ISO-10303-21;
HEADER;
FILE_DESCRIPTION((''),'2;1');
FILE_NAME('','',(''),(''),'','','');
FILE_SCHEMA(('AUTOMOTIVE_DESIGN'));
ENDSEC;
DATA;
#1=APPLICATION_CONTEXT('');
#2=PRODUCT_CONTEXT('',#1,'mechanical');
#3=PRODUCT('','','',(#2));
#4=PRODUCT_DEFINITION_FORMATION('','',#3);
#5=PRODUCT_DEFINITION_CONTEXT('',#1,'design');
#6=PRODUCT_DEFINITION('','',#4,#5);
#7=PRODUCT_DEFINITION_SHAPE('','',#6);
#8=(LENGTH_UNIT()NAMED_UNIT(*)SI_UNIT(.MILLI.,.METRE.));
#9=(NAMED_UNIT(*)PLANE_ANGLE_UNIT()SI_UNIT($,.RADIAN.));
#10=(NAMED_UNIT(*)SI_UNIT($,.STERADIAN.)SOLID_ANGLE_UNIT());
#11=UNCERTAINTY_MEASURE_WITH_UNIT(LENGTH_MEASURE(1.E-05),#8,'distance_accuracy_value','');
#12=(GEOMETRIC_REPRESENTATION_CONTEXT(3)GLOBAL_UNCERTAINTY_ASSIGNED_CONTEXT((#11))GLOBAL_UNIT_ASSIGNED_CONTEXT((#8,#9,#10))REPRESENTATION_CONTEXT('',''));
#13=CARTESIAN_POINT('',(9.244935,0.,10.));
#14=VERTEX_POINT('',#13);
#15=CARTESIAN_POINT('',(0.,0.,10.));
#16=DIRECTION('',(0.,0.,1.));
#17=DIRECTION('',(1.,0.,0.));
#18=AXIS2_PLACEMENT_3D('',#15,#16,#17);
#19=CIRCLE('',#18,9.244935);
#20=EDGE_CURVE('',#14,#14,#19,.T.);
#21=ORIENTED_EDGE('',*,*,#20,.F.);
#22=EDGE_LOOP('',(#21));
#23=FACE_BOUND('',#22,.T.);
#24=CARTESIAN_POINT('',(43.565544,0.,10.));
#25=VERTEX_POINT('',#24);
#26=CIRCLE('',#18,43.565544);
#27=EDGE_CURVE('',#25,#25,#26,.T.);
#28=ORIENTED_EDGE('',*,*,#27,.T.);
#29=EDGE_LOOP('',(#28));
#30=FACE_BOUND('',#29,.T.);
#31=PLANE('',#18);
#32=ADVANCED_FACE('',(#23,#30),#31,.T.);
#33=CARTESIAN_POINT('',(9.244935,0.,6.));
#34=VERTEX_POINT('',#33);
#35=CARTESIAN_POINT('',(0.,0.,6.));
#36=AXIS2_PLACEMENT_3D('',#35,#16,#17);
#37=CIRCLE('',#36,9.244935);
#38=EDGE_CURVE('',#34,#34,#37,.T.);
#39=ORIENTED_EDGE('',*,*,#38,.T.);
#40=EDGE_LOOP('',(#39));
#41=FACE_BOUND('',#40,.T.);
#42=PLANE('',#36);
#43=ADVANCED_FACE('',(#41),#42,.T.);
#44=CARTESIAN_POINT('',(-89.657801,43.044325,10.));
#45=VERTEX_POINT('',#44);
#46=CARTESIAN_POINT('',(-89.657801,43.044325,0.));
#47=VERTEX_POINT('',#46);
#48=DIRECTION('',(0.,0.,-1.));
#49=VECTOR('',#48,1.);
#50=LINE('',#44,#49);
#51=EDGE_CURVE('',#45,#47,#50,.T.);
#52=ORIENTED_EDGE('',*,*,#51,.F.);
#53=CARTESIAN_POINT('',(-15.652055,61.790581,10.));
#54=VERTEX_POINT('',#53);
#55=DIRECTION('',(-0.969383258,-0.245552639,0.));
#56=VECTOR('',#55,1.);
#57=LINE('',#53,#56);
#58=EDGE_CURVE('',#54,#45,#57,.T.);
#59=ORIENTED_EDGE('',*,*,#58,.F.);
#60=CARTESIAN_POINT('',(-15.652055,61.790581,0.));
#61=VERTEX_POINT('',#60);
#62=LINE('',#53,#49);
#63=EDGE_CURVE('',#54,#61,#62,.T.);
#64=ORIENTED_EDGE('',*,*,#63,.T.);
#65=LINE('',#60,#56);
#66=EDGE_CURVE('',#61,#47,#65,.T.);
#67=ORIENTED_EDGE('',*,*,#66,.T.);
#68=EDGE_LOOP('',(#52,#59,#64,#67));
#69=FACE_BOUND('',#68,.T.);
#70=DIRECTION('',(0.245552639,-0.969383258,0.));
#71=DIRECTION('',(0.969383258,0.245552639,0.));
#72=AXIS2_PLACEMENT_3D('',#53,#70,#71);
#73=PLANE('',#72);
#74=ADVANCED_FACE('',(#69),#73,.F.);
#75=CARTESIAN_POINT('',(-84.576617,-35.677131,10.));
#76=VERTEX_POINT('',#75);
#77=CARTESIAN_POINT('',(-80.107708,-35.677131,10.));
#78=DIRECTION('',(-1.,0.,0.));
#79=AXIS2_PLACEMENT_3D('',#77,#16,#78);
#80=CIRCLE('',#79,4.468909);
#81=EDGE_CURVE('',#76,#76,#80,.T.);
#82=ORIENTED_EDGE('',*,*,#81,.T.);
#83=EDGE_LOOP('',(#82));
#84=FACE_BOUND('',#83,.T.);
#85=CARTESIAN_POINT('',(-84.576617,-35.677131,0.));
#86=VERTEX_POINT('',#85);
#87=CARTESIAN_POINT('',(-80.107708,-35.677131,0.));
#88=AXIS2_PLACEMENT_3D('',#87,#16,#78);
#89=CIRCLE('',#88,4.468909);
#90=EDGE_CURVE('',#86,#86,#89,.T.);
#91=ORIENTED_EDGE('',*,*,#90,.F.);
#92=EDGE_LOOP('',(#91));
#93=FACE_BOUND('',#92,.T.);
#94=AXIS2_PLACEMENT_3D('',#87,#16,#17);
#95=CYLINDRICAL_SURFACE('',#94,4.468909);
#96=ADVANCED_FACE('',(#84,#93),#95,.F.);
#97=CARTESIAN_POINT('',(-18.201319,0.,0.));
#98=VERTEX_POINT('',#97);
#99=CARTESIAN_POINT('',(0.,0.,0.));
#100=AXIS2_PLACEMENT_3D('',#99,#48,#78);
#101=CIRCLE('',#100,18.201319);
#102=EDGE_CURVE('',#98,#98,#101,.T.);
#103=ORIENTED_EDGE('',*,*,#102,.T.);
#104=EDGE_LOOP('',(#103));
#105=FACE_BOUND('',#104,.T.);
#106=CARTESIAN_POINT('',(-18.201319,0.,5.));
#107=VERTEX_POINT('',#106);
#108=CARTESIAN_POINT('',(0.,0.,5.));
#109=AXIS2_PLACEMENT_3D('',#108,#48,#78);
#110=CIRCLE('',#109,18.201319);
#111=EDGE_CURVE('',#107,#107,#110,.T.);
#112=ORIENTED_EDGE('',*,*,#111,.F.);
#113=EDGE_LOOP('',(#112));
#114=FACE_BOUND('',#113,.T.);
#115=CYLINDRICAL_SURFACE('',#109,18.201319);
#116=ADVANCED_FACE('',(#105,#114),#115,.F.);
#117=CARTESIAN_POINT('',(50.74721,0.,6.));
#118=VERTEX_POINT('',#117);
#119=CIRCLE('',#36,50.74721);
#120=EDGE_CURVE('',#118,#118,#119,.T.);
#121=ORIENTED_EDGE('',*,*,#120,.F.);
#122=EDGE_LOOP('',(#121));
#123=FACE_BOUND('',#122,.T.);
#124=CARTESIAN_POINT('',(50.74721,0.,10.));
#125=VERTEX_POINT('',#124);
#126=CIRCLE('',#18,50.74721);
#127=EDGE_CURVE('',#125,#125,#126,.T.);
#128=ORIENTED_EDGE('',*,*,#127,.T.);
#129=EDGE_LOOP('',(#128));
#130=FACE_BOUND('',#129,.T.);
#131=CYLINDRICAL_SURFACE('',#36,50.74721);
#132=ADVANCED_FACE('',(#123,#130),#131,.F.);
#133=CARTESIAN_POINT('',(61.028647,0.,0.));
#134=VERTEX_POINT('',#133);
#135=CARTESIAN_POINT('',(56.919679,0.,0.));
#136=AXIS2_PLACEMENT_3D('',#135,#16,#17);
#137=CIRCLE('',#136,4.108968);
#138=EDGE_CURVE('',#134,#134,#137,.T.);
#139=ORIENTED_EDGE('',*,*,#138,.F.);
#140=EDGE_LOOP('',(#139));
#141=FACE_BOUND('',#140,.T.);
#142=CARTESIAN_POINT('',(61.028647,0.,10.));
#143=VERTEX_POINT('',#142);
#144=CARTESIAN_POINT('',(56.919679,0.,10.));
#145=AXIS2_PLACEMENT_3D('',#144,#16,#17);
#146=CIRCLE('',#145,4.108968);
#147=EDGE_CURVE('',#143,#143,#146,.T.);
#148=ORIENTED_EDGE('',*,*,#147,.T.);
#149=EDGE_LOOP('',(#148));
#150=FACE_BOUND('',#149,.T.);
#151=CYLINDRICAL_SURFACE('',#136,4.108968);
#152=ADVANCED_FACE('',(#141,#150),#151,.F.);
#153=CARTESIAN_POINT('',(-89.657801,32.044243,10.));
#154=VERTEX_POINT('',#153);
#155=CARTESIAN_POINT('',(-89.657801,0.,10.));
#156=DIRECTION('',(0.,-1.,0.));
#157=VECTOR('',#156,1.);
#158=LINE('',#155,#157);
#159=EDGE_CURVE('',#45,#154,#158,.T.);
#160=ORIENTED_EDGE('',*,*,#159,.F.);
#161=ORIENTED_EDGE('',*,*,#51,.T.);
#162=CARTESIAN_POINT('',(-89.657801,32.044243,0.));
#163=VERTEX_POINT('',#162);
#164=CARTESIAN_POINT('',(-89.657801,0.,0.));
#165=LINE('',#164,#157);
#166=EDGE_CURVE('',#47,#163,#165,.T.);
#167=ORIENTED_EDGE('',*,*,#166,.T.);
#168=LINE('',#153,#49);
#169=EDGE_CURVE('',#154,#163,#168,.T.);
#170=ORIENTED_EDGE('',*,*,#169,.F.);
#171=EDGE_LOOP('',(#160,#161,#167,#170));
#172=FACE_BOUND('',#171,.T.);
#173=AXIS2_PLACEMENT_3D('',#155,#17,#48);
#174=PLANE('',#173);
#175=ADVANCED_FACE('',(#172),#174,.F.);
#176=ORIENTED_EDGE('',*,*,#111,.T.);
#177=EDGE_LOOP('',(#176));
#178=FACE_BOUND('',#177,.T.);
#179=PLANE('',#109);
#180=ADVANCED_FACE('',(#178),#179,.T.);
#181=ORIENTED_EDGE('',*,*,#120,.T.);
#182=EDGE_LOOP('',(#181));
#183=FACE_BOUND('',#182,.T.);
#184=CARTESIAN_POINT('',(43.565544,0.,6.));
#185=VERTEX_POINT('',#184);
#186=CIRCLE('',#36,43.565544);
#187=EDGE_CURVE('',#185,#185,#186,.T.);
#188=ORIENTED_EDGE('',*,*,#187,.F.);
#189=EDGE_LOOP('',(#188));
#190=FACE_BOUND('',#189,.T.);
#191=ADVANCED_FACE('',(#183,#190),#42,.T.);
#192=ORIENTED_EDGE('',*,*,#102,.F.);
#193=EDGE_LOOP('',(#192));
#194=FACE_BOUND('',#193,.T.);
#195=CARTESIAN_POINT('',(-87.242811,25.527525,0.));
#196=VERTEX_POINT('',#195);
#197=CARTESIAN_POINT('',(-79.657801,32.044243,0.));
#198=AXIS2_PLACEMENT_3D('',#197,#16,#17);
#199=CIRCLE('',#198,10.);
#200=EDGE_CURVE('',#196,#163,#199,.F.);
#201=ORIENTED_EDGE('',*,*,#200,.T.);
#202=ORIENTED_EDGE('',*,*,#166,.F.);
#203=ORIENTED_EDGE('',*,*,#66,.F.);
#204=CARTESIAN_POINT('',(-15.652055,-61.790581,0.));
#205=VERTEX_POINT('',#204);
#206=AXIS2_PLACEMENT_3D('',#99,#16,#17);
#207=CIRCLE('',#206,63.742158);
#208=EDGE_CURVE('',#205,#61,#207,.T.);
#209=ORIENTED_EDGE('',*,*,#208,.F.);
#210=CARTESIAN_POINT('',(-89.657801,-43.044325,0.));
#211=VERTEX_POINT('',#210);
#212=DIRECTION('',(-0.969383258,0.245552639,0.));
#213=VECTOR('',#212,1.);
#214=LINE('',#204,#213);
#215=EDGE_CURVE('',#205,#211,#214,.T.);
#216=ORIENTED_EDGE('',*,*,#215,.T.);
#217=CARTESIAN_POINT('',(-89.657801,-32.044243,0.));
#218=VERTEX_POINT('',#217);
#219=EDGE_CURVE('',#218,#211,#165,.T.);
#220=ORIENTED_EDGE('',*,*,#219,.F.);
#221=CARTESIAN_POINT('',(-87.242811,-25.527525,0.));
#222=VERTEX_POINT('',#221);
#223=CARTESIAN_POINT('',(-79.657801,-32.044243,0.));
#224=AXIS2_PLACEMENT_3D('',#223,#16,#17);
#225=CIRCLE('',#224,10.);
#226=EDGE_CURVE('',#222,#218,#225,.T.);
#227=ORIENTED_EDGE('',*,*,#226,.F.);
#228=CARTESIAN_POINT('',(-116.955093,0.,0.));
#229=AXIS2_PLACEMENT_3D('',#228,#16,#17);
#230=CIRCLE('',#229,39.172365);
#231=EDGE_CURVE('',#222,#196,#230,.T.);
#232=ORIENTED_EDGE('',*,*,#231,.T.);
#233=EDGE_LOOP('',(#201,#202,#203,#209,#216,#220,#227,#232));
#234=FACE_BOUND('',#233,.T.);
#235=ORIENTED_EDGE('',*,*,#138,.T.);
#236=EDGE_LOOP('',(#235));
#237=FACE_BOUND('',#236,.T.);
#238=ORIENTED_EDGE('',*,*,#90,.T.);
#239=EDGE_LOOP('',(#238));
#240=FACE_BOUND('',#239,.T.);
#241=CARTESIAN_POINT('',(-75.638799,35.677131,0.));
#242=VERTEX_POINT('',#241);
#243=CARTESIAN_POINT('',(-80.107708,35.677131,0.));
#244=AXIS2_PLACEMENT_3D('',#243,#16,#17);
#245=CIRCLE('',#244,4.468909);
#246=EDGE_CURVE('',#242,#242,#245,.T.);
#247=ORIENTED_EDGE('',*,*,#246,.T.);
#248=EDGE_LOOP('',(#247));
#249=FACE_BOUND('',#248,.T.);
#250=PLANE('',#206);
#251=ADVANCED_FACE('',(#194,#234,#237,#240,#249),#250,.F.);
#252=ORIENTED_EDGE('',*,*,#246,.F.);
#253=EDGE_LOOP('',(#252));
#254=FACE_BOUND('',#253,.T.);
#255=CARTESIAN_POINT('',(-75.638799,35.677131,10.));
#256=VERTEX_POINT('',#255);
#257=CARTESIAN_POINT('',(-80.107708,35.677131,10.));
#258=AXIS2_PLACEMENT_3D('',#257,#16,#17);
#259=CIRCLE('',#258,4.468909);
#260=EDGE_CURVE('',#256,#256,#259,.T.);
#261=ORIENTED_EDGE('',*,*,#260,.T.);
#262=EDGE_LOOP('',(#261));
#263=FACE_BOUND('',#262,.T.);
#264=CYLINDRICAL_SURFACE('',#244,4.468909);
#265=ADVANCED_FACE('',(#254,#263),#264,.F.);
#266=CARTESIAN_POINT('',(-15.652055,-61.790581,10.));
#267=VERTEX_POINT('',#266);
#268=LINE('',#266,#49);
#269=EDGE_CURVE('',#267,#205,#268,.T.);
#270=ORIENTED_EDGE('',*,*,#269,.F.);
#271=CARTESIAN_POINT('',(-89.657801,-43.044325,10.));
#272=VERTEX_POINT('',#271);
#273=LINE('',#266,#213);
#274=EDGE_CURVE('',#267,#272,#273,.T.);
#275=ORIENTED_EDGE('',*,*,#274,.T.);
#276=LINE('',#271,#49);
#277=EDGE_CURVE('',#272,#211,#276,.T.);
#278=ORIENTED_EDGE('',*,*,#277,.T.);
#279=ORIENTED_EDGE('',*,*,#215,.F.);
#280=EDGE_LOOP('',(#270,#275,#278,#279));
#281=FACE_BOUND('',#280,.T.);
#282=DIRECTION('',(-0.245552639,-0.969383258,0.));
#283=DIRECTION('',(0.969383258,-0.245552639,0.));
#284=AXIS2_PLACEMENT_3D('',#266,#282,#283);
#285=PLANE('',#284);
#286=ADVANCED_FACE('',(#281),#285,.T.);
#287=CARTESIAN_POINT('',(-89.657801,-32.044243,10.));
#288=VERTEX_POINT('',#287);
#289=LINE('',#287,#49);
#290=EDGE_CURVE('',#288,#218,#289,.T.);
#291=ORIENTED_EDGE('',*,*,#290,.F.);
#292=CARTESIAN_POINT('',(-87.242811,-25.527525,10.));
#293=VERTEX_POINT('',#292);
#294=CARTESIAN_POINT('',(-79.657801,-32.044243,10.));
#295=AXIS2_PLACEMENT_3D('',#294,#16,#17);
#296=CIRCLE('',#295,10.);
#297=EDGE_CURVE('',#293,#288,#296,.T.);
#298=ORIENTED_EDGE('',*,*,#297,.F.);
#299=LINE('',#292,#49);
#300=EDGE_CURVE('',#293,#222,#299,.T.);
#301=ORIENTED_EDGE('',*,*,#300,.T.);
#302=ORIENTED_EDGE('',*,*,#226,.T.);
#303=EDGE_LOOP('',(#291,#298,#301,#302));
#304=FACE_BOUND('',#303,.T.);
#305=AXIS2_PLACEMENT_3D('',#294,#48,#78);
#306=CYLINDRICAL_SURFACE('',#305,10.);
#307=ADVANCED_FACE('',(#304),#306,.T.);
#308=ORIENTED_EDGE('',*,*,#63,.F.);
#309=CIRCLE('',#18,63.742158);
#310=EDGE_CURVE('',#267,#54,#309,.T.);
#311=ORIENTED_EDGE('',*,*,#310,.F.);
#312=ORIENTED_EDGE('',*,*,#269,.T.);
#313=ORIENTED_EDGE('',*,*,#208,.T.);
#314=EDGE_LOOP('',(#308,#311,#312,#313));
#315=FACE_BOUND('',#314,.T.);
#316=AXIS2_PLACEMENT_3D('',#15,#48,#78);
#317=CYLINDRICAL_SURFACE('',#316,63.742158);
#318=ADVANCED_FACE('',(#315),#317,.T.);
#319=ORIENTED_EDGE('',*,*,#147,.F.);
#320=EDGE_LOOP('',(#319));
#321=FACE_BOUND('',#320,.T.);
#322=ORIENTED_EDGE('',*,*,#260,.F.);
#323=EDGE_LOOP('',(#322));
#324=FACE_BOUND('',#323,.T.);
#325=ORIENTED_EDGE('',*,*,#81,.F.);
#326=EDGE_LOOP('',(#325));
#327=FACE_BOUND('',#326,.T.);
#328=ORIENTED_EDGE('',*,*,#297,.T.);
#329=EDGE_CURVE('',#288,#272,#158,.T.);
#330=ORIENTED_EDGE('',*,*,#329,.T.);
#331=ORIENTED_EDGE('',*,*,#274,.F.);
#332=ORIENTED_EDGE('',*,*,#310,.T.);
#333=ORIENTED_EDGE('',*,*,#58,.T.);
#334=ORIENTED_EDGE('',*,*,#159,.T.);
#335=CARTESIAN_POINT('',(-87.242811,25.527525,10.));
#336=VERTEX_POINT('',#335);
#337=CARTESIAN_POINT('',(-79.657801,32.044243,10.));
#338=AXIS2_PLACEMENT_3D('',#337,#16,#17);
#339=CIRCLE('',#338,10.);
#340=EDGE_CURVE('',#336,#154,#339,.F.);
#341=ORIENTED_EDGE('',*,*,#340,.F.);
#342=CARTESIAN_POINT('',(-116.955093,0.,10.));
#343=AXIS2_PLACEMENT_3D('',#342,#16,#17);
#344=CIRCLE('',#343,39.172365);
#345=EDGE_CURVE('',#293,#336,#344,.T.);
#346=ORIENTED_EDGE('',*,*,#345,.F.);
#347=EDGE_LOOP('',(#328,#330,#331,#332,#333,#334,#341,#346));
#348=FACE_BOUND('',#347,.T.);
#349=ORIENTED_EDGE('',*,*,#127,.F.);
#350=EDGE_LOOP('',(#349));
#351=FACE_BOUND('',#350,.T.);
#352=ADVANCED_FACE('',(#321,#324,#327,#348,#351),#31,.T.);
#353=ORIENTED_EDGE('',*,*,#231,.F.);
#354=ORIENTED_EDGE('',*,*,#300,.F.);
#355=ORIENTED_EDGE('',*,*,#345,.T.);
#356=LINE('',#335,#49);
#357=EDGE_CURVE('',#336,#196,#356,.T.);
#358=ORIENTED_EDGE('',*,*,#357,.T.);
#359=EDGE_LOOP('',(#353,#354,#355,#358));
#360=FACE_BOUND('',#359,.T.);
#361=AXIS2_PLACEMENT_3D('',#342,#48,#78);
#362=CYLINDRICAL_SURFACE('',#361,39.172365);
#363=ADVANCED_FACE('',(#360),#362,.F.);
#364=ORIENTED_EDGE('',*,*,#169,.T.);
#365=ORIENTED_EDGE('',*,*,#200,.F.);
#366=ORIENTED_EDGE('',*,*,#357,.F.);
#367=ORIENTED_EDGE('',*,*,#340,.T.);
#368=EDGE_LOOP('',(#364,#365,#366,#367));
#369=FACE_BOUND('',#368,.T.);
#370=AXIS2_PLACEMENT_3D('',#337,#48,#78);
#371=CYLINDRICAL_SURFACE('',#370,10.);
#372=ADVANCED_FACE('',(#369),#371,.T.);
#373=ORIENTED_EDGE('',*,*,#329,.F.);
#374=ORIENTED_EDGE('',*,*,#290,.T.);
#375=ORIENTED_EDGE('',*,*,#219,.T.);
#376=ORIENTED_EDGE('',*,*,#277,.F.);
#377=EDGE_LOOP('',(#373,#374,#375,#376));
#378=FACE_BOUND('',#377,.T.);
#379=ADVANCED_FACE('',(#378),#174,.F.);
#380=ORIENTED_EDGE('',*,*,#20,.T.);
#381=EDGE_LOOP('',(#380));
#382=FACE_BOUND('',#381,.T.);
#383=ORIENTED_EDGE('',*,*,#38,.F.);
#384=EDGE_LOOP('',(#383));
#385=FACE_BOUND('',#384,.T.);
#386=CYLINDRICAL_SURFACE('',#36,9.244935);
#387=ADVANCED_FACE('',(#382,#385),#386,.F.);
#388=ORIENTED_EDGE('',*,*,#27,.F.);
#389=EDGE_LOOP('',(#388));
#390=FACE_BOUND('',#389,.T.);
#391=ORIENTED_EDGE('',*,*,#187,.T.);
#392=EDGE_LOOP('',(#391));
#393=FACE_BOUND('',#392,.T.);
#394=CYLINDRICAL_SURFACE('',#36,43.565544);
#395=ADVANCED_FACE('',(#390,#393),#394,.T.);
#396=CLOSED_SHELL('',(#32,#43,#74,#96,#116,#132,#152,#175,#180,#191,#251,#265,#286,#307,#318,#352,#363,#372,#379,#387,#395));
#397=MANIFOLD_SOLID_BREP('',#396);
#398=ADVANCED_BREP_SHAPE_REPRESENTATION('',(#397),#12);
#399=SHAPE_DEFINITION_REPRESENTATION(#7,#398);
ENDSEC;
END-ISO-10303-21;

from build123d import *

# Parameters (mm, degrees)
EXTRUDE_1_DEPTH     = 10
SKETCH_2_R          = 4.468909074
SKETCH_2_R_2        = 4.108968286
CUT_EXTRUDE_1_DEPTH = 111.460779809
SKETCH_3_R          = 50.74720983
SKETCH_3_R_2        = 43.56554387
CUT_EXTRUDE_3_DEPTH = 4
SKETCH_4_R          = 9.24493497
CUT_EXTRUDE_4_DEPTH = 4
SKETCH_5_R          = 18.201318997
CUT_EXTRUDE_5_DEPTH = 5


with BuildPart() as part:
    # 草图1 → 凸台-拉伸1 (new body)
    with BuildSketch(Plane.XY):
        with BuildLine():
            Line((-89.657800503, -43.044325296), (-15.652055073, -61.790580648))
            ThreePointArc((-15.652055073, -61.790580648), (63.74215783, 0), (-15.652055073, 61.790580648))
            Line((-15.652055073, 61.790580648), (-89.657800503, 43.044325296))
            Line((-89.657800503, 43.044325296), (-89.657800503, 32.044242854))
            ThreePointArc((-89.657800503, 32.044242854), (-89.034636537, 28.569340555), (-87.242811306, 25.527525035))
            ThreePointArc((-87.242811306, 25.527525035), (-77.782727423, 0), (-87.242811306, -25.527525035))
            ThreePointArc((-87.242811306, -25.527525035), (-89.034636537, -28.569340555), (-89.657800503, -32.044242854))
            Line((-89.657800503, -32.044242854), (-89.657800503, -43.044325296))
        make_face()
    extrude(amount=EXTRUDE_1_DEPTH)

    # 草图2 → 切除-拉伸1 (cut, through all)
    with BuildSketch(Plane.XY.offset(10)):
        with Locations((-80.107707578, 35.677130973)):
            Circle(SKETCH_2_R)
        with Locations(Location((-80.107707578, -35.677130973, 0), (0, 0, 180))):
            Circle(SKETCH_2_R)
        with Locations((56.919679182, 0)):
            Circle(SKETCH_2_R_2)
    extrude(amount=-CUT_EXTRUDE_1_DEPTH, mode=Mode.SUBTRACT)

    # 草图3 → 切除-拉伸3 (cut)
    with BuildSketch(Plane.XY.offset(10)):
        Circle(SKETCH_3_R)
        Circle(SKETCH_3_R_2, mode=Mode.SUBTRACT)
    extrude(amount=-CUT_EXTRUDE_3_DEPTH, mode=Mode.SUBTRACT)

    # 草图4 → 切除-拉伸4 (cut)
    with BuildSketch(Plane.XY.offset(10)):
        Circle(SKETCH_4_R)
    extrude(amount=-CUT_EXTRUDE_4_DEPTH, mode=Mode.SUBTRACT)

    # 草图5 → 切除-拉伸5 (cut)
    with BuildSketch(Plane(origin=(0, 0, 0), x_dir=(-1, 0, 0), z_dir=(0, 0, -1))):
        Circle(SKETCH_5_R)
    extrude(amount=-CUT_EXTRUDE_5_DEPTH, mode=Mode.SUBTRACT)


solid = part.part
